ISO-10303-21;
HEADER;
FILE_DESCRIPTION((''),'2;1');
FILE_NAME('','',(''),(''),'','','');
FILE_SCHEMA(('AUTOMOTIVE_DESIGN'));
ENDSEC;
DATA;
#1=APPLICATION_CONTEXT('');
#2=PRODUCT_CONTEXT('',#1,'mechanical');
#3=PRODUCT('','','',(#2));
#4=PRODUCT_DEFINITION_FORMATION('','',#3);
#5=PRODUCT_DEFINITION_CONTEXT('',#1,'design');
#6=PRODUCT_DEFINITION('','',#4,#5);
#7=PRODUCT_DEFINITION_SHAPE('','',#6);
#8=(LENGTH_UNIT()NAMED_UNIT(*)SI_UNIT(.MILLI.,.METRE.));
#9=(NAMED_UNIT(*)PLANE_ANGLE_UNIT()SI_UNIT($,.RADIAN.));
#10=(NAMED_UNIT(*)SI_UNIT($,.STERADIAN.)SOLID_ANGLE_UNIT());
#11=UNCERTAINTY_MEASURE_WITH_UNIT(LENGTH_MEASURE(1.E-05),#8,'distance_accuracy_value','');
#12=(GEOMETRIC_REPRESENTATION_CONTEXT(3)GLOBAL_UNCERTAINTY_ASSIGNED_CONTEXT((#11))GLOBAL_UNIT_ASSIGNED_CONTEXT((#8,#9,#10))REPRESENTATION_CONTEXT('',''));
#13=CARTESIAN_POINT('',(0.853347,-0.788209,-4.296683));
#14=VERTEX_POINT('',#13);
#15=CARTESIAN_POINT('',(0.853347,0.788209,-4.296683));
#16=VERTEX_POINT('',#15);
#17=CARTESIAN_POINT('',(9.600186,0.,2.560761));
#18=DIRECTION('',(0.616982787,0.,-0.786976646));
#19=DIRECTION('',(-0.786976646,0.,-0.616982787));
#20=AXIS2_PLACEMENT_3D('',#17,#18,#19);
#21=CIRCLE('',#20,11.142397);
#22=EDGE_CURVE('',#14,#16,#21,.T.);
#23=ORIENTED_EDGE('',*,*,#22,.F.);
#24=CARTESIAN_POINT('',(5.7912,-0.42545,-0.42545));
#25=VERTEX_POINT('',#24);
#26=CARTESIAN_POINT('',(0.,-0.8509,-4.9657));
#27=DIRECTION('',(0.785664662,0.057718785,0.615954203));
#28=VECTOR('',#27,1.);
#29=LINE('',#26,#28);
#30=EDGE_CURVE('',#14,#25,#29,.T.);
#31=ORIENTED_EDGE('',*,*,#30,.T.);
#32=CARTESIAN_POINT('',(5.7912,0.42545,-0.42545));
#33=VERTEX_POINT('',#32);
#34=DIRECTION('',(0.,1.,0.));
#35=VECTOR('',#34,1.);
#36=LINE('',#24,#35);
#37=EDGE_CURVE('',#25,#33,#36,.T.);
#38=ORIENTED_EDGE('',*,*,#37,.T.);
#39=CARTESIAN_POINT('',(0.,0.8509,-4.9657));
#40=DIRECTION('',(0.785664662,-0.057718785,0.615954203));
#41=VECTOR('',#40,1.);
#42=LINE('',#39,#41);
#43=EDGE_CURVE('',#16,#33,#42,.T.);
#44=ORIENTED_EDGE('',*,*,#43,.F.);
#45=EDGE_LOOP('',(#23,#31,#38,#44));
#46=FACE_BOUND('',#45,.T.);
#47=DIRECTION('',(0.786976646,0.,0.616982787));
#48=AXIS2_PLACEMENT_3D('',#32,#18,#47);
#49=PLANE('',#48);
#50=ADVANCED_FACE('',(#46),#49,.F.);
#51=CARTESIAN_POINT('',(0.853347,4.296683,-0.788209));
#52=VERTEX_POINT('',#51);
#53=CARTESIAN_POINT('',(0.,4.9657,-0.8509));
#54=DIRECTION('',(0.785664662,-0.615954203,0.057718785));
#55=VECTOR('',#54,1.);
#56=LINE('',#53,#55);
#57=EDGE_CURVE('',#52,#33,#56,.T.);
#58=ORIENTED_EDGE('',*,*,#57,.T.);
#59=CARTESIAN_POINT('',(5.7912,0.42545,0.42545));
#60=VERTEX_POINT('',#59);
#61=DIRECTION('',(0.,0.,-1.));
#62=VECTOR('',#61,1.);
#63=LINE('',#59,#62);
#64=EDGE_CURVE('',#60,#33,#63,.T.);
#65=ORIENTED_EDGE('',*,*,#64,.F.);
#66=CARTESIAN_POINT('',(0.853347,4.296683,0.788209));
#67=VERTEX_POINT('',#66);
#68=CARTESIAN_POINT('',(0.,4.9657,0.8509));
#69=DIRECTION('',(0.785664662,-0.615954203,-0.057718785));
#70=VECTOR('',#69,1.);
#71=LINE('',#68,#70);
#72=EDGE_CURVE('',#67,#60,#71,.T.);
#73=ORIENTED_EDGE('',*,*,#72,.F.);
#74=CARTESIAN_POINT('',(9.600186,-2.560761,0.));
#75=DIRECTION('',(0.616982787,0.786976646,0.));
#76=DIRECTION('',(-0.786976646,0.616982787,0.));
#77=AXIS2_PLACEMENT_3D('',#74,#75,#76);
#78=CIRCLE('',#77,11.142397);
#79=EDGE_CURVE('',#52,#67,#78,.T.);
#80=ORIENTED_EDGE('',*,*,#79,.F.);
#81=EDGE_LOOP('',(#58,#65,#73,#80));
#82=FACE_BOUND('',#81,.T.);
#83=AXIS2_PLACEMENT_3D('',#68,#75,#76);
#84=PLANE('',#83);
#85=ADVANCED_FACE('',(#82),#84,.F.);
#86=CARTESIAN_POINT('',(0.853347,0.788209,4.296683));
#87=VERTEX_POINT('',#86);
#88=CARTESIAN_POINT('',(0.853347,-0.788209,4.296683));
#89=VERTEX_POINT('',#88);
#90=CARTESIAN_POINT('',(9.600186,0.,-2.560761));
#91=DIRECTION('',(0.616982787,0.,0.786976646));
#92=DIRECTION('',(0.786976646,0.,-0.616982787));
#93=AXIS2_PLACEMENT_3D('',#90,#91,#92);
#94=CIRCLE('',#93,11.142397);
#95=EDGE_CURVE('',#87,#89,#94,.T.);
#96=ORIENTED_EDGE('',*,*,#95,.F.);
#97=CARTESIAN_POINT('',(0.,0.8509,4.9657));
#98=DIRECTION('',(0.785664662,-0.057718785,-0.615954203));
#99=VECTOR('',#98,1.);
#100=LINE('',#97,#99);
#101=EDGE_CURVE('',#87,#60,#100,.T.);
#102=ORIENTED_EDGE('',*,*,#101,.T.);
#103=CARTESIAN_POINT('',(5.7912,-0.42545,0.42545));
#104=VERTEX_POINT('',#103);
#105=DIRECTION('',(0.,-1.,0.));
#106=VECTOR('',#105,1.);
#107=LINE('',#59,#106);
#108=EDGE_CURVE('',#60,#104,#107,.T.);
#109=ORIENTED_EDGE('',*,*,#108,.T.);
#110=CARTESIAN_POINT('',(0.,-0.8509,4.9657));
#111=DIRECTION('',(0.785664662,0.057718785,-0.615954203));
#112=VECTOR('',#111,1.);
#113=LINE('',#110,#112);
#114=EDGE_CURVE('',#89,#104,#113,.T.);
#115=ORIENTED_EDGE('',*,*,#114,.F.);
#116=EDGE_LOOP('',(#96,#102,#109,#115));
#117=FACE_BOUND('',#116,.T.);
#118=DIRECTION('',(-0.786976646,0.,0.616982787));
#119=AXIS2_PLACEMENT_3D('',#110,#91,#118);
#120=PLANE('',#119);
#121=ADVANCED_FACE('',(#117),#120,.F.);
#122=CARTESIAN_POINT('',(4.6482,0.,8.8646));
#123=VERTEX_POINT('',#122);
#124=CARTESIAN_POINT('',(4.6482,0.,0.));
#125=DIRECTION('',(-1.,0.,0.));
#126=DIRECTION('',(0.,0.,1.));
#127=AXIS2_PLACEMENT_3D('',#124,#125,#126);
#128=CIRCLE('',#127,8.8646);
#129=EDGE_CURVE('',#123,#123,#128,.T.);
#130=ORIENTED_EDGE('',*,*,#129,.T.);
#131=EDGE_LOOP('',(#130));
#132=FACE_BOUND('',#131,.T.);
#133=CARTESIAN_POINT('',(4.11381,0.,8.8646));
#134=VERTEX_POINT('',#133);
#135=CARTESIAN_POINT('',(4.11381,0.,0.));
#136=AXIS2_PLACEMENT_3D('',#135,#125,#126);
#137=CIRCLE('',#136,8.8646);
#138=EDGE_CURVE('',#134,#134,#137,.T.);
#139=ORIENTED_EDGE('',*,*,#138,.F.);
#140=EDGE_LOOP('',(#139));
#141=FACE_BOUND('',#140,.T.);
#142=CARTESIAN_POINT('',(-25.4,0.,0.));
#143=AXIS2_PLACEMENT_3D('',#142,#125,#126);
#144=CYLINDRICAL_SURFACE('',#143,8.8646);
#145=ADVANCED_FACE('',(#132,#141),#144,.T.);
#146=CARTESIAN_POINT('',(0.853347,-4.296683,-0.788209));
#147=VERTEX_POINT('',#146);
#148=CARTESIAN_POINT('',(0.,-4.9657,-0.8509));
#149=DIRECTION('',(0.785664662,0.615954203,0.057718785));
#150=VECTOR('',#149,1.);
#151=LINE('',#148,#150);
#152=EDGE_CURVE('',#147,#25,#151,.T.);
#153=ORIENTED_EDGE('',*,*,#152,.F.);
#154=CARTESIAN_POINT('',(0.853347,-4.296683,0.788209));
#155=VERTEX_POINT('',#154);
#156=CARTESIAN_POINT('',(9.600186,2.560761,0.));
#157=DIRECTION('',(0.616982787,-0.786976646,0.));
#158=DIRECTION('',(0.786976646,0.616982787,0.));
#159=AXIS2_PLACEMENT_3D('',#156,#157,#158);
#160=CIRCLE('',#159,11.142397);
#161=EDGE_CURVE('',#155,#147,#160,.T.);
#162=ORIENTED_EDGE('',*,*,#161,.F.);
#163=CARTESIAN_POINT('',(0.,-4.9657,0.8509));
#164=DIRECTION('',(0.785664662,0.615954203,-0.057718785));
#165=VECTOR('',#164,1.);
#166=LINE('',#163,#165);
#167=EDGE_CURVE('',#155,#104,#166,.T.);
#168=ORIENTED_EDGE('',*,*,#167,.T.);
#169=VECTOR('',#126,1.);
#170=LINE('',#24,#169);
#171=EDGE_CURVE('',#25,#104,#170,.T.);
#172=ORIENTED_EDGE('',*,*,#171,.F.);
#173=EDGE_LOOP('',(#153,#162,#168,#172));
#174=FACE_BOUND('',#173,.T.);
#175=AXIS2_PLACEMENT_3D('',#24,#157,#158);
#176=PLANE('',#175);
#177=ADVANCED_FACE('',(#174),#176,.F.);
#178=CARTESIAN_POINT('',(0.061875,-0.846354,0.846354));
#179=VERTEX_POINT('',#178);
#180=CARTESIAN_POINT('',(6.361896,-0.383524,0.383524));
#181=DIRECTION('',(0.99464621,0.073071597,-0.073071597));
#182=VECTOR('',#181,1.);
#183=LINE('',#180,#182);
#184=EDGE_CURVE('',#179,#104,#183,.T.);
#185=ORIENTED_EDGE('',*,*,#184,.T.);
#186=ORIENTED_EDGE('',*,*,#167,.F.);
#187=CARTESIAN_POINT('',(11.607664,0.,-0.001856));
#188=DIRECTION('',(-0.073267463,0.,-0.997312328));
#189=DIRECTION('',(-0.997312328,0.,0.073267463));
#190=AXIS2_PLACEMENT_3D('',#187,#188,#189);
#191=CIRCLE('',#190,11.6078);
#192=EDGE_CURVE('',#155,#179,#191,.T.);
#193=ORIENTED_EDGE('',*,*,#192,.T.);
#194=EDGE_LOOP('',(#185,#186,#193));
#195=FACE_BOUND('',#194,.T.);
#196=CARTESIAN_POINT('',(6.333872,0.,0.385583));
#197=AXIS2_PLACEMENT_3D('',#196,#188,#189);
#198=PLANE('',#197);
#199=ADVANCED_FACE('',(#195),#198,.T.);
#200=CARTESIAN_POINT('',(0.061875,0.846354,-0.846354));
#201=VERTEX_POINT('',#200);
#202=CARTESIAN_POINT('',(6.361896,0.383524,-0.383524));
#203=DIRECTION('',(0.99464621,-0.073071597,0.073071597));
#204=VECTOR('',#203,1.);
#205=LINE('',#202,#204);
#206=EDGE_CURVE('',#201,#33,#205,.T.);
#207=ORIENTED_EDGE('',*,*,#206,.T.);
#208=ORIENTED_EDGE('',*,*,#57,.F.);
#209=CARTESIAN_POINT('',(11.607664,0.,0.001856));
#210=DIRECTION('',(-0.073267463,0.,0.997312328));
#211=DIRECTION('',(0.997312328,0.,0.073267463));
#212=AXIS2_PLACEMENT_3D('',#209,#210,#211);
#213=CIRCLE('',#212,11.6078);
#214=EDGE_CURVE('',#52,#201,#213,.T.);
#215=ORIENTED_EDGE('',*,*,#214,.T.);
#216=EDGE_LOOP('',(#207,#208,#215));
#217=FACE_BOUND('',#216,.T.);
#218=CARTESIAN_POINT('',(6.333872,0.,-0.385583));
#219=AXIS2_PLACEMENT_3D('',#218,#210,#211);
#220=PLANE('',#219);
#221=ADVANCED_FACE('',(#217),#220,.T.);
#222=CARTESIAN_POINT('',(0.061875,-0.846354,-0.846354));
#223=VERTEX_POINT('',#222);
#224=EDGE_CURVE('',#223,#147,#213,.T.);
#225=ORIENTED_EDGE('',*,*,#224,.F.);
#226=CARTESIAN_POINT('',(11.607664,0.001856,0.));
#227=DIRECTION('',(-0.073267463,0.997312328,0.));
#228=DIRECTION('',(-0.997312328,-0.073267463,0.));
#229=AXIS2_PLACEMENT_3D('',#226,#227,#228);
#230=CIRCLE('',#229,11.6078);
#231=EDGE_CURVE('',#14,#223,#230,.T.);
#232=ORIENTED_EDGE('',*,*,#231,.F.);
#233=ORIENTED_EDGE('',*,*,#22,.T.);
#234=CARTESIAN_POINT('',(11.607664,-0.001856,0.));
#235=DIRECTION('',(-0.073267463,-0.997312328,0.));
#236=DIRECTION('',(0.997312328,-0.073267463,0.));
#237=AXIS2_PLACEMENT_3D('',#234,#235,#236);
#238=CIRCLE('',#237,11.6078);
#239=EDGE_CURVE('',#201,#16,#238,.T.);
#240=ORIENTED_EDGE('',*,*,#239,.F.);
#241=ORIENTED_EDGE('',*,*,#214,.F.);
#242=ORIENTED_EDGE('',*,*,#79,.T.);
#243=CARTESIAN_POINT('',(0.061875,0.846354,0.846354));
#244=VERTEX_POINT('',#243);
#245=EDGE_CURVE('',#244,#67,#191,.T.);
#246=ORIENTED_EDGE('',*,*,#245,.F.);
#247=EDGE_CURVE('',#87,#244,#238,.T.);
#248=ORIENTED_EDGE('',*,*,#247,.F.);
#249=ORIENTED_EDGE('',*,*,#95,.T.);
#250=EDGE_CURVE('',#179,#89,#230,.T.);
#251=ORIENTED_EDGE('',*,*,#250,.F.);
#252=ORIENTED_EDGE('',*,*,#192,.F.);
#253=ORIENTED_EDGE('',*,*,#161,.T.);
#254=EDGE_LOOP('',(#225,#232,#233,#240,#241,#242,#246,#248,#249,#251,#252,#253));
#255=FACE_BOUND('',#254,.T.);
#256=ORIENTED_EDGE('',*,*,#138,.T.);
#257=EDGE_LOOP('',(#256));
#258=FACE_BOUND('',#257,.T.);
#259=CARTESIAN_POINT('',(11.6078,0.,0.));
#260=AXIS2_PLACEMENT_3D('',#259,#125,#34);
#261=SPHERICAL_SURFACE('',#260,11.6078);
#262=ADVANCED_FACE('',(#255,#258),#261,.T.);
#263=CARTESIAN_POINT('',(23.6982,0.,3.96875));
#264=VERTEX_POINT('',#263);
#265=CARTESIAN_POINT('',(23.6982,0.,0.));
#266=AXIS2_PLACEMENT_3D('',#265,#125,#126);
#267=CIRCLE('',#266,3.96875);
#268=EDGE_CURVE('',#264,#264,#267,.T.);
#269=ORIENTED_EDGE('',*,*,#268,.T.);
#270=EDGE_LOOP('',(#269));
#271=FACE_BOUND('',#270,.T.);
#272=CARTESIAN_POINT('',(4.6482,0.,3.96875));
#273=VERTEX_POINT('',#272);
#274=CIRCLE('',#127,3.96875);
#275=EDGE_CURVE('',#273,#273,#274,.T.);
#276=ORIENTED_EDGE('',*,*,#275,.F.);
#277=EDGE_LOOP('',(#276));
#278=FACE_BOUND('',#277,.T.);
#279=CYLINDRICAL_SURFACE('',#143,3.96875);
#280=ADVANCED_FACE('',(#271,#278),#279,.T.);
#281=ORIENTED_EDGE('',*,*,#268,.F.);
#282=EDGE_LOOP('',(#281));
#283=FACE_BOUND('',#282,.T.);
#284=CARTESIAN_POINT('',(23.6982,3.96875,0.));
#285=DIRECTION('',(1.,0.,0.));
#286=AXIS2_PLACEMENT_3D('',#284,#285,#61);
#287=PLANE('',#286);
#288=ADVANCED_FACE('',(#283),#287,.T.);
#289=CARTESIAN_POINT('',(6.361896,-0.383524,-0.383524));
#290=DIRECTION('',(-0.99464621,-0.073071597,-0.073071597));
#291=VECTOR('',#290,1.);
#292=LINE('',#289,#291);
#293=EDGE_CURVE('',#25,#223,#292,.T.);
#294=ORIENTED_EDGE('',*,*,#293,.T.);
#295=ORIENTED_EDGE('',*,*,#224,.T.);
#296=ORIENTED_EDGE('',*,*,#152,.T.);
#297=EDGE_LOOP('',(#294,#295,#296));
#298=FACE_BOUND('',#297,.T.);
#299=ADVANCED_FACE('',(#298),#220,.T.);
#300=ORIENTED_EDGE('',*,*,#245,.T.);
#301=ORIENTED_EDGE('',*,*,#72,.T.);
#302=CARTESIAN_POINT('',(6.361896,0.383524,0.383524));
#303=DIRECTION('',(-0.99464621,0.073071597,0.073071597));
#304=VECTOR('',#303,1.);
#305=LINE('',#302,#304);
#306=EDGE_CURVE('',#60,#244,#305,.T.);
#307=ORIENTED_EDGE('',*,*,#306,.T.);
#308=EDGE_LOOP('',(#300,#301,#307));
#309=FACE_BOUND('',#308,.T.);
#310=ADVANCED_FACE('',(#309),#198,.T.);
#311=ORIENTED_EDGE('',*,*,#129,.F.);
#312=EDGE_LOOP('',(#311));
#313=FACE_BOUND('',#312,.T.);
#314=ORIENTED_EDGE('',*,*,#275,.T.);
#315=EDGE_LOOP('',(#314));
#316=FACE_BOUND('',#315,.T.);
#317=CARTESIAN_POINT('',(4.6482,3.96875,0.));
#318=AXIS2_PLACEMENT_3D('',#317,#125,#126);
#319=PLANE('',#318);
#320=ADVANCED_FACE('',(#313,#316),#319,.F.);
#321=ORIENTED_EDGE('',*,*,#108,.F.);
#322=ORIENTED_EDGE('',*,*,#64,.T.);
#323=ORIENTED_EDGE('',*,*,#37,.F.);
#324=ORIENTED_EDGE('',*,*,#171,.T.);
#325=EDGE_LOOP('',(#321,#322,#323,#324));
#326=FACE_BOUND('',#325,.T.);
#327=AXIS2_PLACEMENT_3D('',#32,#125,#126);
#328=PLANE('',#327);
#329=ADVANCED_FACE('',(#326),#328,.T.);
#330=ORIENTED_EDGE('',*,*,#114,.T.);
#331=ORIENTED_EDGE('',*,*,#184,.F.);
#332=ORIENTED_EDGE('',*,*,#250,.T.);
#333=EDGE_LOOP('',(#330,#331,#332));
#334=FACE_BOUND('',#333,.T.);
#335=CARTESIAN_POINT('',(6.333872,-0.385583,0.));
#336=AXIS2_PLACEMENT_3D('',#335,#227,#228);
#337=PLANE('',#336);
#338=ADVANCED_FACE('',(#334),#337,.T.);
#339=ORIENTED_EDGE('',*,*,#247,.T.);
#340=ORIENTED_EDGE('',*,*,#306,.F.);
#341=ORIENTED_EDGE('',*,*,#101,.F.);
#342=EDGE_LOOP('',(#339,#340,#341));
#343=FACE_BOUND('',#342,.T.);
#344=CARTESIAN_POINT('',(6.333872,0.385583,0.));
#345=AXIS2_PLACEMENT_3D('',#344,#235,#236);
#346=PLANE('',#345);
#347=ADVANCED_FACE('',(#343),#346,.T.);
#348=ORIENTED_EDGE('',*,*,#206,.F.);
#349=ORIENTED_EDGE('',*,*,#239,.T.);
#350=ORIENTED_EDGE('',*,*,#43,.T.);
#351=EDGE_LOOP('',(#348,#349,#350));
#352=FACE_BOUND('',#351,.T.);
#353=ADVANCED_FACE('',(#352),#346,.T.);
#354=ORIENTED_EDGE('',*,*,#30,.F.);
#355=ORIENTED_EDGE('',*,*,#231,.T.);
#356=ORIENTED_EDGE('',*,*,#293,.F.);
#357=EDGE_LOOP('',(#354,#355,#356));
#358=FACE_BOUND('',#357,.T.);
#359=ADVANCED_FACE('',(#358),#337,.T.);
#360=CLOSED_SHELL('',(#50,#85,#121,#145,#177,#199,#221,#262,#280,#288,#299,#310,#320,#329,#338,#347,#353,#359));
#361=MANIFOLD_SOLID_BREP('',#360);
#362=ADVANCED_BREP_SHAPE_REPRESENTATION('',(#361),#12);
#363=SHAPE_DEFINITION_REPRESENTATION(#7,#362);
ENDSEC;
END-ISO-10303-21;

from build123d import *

# Parameters (mm, degrees)
CIRPATTERN1_COUNT = 2
CIRPATTERN1_ANGLE = 90


with BuildPart() as part:
    # BodySke → Base-Revolve (revolve)
    with BuildSketch(Plane.XY, mode=Mode.PRIVATE) as base_revolve_sk:
        with BuildLine():
            Line((4.6482, 3.96875), (4.6482, 8.8646))
            Line((4.6482, 8.8646), (4.113809896, 8.8646))
            ThreePointArc((4.113809896, 8.8646), (1.078560731, 4.886321853), (0, 0))
            Line((0, 0), (23.6982, 0))
            Line((23.6982, 0), (23.6982, 3.96875))
            Line((23.6982, 3.96875), (4.6482, 3.96875))
        make_face()
    revolve(base_revolve_sk.sketch.rotate(Axis((-25.4, 0, 0), (1, 0, 0)), 90), axis=Axis((-25.4, 0, 0), (1, 0, 0)))

    # Sketch3 → Cross section 0
    with BuildSketch(Plane(origin=(0, 0, 0), x_dir=(0, 0, -1), z_dir=(1, 0, 0))):
        with BuildLine():
            Line((0.8509, -4.9657), (-0.8509, -4.9657))
            Line((-0.8509, -4.9657), (-0.8509, 4.9657))
            Line((-0.8509, 4.9657), (0.8509, 4.9657))
            Line((0.8509, 4.9657), (0.8509, -4.9657))
        make_face()
    # Sketch4 → Cross section 1
    with BuildSketch(Plane(origin=(5.7912, 0, 0), x_dir=(0, 0, -1), z_dir=(1, 0, 0))):
        with BuildLine():
            Line((0.42545, -0.42545), (-0.42545, -0.42545))
            Line((-0.42545, -0.42545), (-0.42545, 0.42545))
            Line((-0.42545, 0.42545), (0.42545, 0.42545))
            Line((0.42545, 0.42545), (0.42545, -0.42545))
        make_face()
    cross = loft(mode=Mode.SUBTRACT)

    # CirPattern1: Cross ×2 about axis
    cirpattern1_axis = Axis((0, 0, 0), (1, 0, 0))
    for i in range(1, CIRPATTERN1_COUNT):
        add(cross.rotate(cirpattern1_axis, i * CIRPATTERN1_ANGLE / (CIRPATTERN1_COUNT - 1)), mode=Mode.SUBTRACT)


solid = part.part
